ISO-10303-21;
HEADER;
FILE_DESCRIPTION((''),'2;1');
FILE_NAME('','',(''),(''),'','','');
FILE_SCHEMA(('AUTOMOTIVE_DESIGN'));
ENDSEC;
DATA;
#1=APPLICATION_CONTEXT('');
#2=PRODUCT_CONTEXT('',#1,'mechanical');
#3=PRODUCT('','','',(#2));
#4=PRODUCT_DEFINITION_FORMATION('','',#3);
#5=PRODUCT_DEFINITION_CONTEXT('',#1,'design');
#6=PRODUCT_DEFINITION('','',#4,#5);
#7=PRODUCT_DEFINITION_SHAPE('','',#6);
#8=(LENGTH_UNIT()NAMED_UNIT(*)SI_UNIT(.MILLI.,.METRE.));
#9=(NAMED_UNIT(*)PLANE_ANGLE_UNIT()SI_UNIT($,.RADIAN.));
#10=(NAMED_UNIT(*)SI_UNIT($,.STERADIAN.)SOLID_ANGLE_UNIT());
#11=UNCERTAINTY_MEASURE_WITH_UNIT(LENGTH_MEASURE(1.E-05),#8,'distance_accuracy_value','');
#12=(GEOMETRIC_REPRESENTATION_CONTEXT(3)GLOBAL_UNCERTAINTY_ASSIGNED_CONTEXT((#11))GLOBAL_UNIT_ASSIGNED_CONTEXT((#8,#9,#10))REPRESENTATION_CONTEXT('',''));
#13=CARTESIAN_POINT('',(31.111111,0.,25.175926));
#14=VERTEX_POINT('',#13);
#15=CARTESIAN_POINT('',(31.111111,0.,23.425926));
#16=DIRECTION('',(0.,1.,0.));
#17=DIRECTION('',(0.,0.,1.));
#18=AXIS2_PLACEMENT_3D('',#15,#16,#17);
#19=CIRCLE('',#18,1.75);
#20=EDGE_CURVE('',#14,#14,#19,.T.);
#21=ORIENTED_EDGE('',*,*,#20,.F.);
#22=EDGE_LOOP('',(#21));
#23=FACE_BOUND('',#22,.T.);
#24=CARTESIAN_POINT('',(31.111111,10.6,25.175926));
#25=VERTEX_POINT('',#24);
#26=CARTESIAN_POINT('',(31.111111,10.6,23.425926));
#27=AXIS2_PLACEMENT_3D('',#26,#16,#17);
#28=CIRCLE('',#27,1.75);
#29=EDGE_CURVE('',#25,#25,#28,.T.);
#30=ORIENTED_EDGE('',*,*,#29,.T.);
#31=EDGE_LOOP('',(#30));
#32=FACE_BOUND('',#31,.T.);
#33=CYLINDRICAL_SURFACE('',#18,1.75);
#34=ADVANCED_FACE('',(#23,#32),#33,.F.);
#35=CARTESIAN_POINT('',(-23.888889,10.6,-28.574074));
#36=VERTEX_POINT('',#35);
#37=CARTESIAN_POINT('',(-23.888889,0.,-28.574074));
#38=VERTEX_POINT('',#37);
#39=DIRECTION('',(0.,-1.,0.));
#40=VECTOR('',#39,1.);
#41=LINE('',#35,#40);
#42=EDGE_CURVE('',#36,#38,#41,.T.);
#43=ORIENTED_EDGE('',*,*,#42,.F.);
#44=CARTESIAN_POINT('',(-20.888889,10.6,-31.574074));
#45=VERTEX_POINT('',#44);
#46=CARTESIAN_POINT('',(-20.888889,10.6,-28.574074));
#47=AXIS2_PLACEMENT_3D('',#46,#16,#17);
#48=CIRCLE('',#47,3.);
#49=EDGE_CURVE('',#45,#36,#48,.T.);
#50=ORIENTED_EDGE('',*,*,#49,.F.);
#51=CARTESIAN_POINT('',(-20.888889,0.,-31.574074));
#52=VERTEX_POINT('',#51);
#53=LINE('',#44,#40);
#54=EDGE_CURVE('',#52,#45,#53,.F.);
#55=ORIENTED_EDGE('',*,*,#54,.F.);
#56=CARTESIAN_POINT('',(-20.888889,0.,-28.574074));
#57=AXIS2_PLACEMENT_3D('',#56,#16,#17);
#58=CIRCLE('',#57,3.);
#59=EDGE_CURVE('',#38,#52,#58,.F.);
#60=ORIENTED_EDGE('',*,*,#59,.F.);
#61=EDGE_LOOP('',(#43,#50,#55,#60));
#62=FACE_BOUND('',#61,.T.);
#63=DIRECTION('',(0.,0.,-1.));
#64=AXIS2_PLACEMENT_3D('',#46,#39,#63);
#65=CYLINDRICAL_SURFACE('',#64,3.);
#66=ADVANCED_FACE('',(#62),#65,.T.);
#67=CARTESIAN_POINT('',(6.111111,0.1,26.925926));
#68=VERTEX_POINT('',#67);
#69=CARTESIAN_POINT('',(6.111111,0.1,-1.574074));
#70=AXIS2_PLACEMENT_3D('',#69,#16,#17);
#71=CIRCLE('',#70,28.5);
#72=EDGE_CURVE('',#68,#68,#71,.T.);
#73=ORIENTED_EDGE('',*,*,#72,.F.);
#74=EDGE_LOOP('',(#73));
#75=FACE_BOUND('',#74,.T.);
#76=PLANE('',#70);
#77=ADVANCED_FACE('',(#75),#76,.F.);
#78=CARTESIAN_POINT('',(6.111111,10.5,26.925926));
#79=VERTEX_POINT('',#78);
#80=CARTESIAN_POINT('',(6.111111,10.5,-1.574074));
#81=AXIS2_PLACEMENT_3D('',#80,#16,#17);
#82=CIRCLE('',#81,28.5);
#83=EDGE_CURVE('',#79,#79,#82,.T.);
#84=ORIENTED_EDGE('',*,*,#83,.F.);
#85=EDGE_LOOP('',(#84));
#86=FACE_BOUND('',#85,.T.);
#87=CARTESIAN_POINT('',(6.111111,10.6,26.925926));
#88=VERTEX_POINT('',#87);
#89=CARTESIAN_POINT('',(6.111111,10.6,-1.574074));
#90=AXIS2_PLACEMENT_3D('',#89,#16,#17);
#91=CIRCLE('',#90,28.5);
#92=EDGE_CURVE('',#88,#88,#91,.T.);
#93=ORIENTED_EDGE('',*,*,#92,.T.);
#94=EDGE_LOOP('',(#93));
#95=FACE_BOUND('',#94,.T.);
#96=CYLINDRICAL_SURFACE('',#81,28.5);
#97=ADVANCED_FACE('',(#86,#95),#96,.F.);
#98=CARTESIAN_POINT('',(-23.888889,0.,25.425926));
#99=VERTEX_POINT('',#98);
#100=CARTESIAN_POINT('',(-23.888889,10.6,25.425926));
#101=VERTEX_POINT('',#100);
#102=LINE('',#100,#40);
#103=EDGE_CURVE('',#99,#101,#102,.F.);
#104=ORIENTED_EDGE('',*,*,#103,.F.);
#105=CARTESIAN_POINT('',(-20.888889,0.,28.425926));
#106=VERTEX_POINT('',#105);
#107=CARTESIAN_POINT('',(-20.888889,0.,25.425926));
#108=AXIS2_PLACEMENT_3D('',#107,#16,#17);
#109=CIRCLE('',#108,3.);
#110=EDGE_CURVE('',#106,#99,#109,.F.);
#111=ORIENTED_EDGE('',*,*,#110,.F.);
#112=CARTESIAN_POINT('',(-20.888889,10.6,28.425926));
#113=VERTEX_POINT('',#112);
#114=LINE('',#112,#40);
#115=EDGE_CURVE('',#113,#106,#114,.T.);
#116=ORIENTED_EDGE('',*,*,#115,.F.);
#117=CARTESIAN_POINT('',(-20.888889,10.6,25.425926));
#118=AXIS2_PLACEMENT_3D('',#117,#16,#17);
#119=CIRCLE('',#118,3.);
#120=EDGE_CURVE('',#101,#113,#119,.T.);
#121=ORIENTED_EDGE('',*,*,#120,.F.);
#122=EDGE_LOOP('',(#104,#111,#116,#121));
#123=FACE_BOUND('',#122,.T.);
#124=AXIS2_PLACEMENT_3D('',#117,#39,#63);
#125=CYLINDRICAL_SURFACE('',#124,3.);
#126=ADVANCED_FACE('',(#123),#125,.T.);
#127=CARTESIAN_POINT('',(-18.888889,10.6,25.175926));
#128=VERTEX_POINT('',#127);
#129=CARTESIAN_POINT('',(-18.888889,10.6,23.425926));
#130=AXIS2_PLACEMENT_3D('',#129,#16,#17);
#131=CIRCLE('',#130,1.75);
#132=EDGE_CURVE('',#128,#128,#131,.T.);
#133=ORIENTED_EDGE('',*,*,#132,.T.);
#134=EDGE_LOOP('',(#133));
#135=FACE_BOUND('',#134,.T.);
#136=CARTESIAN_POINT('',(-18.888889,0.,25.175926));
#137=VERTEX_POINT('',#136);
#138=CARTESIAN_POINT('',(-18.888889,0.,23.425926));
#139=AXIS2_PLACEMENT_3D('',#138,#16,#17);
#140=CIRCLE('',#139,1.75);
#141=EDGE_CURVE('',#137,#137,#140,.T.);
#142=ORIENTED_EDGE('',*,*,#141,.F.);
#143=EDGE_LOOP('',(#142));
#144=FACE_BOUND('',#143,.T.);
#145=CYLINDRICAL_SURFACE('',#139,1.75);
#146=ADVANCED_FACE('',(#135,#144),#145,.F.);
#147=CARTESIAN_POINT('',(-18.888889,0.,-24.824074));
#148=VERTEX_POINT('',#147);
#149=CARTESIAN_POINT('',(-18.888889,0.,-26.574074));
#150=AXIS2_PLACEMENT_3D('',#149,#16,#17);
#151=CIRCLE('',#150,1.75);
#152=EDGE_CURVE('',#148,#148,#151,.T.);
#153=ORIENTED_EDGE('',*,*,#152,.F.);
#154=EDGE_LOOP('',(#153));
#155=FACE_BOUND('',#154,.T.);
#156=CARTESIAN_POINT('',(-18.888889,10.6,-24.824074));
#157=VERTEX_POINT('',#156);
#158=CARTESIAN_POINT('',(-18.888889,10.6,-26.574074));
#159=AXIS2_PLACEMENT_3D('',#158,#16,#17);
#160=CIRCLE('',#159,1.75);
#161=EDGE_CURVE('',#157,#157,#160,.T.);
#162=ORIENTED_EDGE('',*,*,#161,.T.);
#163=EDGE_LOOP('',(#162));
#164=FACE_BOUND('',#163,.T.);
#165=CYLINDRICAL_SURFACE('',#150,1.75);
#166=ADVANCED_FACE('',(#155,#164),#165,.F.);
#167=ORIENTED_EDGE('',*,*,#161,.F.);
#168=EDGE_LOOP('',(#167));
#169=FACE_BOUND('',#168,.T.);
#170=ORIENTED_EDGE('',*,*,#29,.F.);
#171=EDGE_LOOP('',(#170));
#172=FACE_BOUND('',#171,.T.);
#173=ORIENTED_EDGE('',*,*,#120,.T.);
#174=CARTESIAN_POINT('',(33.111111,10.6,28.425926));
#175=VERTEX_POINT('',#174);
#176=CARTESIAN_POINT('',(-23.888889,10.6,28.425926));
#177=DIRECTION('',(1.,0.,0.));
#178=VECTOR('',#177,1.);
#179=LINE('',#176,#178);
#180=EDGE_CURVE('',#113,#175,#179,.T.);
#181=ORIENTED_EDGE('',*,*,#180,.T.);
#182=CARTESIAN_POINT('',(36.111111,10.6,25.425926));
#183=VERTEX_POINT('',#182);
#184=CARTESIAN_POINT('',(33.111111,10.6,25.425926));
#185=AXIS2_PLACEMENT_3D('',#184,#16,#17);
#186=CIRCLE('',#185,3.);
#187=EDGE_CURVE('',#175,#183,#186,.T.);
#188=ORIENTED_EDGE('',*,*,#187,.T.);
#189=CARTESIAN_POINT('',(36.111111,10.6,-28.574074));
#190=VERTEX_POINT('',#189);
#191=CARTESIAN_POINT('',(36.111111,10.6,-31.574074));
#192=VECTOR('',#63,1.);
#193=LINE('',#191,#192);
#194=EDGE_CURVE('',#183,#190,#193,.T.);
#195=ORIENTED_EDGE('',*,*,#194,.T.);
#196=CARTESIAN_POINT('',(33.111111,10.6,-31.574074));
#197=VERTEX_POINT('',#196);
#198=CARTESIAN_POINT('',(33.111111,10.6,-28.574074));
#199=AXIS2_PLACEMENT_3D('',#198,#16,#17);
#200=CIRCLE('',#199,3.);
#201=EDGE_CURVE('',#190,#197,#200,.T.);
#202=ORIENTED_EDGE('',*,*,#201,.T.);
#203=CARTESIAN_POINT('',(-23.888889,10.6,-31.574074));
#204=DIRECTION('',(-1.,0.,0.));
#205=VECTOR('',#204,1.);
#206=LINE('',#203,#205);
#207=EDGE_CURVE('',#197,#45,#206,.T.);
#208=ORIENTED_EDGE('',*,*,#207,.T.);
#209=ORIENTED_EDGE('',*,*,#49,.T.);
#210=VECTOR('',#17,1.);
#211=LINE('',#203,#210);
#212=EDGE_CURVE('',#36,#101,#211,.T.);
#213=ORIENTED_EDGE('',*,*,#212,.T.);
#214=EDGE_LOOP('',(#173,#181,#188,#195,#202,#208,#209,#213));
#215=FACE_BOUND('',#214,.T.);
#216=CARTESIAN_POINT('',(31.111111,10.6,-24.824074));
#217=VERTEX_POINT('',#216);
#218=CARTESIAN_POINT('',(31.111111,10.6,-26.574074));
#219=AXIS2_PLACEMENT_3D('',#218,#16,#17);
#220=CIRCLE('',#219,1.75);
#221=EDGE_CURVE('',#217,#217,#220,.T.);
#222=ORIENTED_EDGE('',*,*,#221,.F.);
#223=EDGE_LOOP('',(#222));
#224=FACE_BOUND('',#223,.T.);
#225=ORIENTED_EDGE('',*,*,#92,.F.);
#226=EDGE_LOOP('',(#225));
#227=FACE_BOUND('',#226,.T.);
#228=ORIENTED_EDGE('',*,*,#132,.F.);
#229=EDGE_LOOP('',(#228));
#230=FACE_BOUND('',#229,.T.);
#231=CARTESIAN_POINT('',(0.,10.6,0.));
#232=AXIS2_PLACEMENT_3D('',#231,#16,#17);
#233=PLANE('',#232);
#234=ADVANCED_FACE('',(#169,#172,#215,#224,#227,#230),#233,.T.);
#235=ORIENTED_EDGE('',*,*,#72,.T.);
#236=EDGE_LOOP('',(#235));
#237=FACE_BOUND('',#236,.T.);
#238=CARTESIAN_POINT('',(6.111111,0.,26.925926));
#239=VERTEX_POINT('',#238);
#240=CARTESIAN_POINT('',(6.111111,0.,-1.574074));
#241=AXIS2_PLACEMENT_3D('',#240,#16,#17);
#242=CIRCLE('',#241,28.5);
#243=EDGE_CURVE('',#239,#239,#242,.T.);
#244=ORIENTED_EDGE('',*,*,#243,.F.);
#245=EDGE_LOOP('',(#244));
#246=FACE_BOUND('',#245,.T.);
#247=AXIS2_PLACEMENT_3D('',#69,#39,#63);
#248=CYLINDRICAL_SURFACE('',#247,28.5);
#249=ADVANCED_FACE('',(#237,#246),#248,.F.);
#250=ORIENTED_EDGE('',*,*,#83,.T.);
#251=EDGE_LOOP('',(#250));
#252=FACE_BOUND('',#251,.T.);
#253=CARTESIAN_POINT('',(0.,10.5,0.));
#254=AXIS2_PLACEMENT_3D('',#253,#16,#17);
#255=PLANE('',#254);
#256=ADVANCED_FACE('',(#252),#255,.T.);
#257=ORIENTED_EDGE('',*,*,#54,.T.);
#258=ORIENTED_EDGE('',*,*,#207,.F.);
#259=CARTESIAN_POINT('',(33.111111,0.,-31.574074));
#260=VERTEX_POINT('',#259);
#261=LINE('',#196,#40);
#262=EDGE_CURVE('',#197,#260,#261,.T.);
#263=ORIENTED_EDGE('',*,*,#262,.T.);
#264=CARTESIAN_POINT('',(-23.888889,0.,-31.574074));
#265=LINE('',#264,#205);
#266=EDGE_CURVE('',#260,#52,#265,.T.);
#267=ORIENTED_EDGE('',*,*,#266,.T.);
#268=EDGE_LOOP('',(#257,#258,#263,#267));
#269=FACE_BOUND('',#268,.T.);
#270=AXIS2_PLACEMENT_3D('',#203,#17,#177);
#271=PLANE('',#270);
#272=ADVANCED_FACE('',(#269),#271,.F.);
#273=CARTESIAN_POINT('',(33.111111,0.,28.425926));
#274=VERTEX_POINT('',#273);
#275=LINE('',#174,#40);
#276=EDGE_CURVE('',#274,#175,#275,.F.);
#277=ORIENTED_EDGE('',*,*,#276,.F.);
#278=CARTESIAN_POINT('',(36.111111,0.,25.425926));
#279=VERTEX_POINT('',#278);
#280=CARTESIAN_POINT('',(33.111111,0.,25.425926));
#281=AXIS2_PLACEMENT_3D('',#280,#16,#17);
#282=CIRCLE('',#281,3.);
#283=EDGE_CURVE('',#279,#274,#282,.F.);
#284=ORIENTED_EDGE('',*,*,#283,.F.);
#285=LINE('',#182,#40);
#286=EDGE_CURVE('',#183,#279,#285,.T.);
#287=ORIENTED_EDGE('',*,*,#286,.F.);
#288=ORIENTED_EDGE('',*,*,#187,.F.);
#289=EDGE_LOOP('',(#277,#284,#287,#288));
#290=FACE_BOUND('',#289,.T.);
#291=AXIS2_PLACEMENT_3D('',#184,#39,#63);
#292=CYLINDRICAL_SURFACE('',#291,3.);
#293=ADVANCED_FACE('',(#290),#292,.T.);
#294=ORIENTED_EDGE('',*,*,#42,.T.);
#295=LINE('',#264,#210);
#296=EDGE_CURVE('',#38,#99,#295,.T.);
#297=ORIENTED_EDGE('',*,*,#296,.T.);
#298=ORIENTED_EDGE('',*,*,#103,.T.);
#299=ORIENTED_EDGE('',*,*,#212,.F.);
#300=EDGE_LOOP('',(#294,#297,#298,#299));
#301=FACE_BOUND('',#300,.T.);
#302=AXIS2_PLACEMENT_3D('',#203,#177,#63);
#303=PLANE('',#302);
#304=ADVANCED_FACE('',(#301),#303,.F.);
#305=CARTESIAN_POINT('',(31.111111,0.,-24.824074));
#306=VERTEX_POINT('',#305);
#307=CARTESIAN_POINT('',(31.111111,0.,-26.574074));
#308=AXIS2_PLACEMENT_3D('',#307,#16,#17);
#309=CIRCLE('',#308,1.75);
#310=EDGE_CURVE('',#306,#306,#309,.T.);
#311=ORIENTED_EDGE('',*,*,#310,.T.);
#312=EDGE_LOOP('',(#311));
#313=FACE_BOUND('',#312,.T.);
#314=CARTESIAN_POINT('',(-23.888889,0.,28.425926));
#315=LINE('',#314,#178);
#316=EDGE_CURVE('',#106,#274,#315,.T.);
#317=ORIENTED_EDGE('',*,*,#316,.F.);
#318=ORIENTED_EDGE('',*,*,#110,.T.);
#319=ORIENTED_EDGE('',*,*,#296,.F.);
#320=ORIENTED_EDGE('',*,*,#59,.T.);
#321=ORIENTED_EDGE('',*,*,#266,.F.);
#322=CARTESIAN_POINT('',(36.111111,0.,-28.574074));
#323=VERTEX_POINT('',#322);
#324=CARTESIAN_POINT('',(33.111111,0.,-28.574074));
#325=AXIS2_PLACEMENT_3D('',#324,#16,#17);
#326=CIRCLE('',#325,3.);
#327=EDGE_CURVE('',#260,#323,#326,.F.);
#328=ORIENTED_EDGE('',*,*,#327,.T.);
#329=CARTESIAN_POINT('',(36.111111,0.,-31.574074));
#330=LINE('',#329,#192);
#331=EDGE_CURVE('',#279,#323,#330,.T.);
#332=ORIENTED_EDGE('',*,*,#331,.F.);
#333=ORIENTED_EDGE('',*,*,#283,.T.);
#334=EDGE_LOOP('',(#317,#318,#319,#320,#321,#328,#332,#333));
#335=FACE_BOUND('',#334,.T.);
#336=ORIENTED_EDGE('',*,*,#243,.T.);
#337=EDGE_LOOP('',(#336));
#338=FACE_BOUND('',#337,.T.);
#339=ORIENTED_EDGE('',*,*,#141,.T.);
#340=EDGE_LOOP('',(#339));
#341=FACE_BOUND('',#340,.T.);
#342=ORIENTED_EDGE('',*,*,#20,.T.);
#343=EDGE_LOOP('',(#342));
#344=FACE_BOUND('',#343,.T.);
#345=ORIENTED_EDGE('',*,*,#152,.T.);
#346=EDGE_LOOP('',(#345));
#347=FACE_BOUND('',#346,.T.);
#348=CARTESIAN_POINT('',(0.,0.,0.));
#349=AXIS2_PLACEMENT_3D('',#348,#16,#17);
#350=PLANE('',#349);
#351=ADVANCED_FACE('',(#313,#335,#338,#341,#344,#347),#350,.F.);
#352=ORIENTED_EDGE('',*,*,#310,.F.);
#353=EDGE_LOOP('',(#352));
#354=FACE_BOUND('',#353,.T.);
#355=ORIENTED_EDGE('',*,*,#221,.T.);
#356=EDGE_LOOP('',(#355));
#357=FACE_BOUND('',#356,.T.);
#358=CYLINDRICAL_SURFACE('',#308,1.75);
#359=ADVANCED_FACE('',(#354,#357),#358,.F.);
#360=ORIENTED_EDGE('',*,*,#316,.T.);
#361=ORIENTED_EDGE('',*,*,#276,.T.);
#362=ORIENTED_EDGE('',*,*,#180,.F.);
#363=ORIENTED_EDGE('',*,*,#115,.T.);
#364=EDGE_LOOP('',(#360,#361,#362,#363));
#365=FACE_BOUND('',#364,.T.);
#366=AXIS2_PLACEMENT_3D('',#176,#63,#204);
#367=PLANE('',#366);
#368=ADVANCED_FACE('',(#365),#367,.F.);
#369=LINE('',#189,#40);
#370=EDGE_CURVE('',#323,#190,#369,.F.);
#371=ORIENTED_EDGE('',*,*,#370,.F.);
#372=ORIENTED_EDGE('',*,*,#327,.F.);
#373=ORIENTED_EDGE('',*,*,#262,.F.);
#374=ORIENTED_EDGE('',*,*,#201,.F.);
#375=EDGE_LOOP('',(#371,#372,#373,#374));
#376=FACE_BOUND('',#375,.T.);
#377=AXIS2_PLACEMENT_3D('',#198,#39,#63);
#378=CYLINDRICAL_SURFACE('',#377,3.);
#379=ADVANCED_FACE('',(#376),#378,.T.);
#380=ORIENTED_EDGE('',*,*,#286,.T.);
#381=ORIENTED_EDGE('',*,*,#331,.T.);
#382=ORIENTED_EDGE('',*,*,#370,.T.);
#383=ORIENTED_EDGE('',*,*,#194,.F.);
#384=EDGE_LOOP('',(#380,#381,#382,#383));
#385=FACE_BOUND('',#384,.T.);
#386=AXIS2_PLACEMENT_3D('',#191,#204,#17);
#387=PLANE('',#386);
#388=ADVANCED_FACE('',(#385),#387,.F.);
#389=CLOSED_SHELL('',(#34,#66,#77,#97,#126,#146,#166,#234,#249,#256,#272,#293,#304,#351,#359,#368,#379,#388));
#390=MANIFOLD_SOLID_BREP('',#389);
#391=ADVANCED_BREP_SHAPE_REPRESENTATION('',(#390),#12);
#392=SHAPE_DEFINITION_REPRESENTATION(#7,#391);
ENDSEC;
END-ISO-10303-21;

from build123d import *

# Parameters (mm, degrees)
SKETCH1_W           = 60
SKETCH1_H           = 60
BOSS_EXTRUDE1_DEPTH = 10.6
FILLET1_R           = 3
SKETCH2_R           = 1.75
CUT_EXTRUDE1_DEPTH  = 11.6
CUT_EXTRUDE2_DEPTH  = 0.1
CUT_EXTRUDE3_START  = -10.6
CUT_EXTRUDE3_DEPTH  = 0.1


with BuildPart() as part:
    # Sketch1 → Boss-Extrude1 (new body)
    with BuildSketch(Plane(origin=(0, 0, 0), x_dir=(1, 0, 0), z_dir=(0, 1, 0))):
        with Locations((6.111111111, 1.574074074)):
            Rectangle(SKETCH1_W, SKETCH1_H)
    extrude(amount=BOSS_EXTRUDE1_DEPTH)

    # Fillet1
    fillet1_edges = [part.edges().sort_by_distance(p)[0] for p in [
        (-23.888888889, 5.3, -31.574074074),
        (36.111111111, 5.3, -31.574074074),
        (36.111111111, 5.3, 28.425925926),
        (-23.888888889, 5.3, 28.425925926),
    ]]
    fillet(fillet1_edges, radius=FILLET1_R)

    # Sketch2 → Cut-Extrude1 (cut, through all)
    with BuildSketch(Plane(origin=(0, 10.6, 0), x_dir=(1, 0, 0), z_dir=(0, 1, 0))):
        with Locations((-18.888888889, 26.574074074)):
            Circle(SKETCH2_R)
        with Locations((31.111111111, 26.574074074)):
            Circle(SKETCH2_R)
        with Locations((31.111111111, -23.425925926)):
            Circle(SKETCH2_R)
        with Locations((-18.888888889, -23.425925926)):
            Circle(SKETCH2_R)
    extrude(amount=-CUT_EXTRUDE1_DEPTH, mode=Mode.SUBTRACT)

    # Sketch3 → Cut-Extrude2 (cut)
    with BuildSketch(Plane(origin=(0, 10.6, 0), x_dir=(1, 0, 0), z_dir=(0, 1, 0))):
        with BuildLine():
            ThreePointArc((34.611111111, 1.574074074), (17.017588934, 27.904640751), (-14.041432153, 21.726617338))
            Line((-14.041432153, 21.726617338), (26.263654375, -18.57846919))
            ThreePointArc((26.263654375, -18.57846919), (32.441677788, -9.332403748), (34.611111111, 1.574074074))
        make_face()
        with BuildLine():
            Line((26.263654375, -18.57846919), (-14.041432153, 21.726617338))
            ThreePointArc((-14.041432153, 21.726617338), (-14.041432153, -18.57846919), (26.263654375, -18.57846919))
        make_face()
    extrude(amount=-CUT_EXTRUDE2_DEPTH, mode=Mode.SUBTRACT)

    # Sketch3<3> → Cut-Extrude3 (cut)
    with BuildSketch(Plane(origin=(0, 10.6, 0), x_dir=(1, 0, 0), z_dir=(0, 1, 0)).offset(CUT_EXTRUDE3_START)):
        with BuildLine():
            ThreePointArc((34.611111111, 1.574074074), (17.017588934, 27.904640751), (-14.041432153, 21.726617338))
            Line((-14.041432153, 21.726617338), (26.263654375, -18.57846919))
            ThreePointArc((26.263654375, -18.57846919), (32.441677788, -9.332403748), (34.611111111, 1.574074074))
        make_face()
        with BuildLine():
            Line((26.263654375, -18.57846919), (-14.041432153, 21.726617338))
            ThreePointArc((-14.041432153, 21.726617338), (-14.041432153, -18.57846919), (26.263654375, -18.57846919))
        make_face()
    extrude(amount=CUT_EXTRUDE3_DEPTH, mode=Mode.SUBTRACT)


solid = part.part
